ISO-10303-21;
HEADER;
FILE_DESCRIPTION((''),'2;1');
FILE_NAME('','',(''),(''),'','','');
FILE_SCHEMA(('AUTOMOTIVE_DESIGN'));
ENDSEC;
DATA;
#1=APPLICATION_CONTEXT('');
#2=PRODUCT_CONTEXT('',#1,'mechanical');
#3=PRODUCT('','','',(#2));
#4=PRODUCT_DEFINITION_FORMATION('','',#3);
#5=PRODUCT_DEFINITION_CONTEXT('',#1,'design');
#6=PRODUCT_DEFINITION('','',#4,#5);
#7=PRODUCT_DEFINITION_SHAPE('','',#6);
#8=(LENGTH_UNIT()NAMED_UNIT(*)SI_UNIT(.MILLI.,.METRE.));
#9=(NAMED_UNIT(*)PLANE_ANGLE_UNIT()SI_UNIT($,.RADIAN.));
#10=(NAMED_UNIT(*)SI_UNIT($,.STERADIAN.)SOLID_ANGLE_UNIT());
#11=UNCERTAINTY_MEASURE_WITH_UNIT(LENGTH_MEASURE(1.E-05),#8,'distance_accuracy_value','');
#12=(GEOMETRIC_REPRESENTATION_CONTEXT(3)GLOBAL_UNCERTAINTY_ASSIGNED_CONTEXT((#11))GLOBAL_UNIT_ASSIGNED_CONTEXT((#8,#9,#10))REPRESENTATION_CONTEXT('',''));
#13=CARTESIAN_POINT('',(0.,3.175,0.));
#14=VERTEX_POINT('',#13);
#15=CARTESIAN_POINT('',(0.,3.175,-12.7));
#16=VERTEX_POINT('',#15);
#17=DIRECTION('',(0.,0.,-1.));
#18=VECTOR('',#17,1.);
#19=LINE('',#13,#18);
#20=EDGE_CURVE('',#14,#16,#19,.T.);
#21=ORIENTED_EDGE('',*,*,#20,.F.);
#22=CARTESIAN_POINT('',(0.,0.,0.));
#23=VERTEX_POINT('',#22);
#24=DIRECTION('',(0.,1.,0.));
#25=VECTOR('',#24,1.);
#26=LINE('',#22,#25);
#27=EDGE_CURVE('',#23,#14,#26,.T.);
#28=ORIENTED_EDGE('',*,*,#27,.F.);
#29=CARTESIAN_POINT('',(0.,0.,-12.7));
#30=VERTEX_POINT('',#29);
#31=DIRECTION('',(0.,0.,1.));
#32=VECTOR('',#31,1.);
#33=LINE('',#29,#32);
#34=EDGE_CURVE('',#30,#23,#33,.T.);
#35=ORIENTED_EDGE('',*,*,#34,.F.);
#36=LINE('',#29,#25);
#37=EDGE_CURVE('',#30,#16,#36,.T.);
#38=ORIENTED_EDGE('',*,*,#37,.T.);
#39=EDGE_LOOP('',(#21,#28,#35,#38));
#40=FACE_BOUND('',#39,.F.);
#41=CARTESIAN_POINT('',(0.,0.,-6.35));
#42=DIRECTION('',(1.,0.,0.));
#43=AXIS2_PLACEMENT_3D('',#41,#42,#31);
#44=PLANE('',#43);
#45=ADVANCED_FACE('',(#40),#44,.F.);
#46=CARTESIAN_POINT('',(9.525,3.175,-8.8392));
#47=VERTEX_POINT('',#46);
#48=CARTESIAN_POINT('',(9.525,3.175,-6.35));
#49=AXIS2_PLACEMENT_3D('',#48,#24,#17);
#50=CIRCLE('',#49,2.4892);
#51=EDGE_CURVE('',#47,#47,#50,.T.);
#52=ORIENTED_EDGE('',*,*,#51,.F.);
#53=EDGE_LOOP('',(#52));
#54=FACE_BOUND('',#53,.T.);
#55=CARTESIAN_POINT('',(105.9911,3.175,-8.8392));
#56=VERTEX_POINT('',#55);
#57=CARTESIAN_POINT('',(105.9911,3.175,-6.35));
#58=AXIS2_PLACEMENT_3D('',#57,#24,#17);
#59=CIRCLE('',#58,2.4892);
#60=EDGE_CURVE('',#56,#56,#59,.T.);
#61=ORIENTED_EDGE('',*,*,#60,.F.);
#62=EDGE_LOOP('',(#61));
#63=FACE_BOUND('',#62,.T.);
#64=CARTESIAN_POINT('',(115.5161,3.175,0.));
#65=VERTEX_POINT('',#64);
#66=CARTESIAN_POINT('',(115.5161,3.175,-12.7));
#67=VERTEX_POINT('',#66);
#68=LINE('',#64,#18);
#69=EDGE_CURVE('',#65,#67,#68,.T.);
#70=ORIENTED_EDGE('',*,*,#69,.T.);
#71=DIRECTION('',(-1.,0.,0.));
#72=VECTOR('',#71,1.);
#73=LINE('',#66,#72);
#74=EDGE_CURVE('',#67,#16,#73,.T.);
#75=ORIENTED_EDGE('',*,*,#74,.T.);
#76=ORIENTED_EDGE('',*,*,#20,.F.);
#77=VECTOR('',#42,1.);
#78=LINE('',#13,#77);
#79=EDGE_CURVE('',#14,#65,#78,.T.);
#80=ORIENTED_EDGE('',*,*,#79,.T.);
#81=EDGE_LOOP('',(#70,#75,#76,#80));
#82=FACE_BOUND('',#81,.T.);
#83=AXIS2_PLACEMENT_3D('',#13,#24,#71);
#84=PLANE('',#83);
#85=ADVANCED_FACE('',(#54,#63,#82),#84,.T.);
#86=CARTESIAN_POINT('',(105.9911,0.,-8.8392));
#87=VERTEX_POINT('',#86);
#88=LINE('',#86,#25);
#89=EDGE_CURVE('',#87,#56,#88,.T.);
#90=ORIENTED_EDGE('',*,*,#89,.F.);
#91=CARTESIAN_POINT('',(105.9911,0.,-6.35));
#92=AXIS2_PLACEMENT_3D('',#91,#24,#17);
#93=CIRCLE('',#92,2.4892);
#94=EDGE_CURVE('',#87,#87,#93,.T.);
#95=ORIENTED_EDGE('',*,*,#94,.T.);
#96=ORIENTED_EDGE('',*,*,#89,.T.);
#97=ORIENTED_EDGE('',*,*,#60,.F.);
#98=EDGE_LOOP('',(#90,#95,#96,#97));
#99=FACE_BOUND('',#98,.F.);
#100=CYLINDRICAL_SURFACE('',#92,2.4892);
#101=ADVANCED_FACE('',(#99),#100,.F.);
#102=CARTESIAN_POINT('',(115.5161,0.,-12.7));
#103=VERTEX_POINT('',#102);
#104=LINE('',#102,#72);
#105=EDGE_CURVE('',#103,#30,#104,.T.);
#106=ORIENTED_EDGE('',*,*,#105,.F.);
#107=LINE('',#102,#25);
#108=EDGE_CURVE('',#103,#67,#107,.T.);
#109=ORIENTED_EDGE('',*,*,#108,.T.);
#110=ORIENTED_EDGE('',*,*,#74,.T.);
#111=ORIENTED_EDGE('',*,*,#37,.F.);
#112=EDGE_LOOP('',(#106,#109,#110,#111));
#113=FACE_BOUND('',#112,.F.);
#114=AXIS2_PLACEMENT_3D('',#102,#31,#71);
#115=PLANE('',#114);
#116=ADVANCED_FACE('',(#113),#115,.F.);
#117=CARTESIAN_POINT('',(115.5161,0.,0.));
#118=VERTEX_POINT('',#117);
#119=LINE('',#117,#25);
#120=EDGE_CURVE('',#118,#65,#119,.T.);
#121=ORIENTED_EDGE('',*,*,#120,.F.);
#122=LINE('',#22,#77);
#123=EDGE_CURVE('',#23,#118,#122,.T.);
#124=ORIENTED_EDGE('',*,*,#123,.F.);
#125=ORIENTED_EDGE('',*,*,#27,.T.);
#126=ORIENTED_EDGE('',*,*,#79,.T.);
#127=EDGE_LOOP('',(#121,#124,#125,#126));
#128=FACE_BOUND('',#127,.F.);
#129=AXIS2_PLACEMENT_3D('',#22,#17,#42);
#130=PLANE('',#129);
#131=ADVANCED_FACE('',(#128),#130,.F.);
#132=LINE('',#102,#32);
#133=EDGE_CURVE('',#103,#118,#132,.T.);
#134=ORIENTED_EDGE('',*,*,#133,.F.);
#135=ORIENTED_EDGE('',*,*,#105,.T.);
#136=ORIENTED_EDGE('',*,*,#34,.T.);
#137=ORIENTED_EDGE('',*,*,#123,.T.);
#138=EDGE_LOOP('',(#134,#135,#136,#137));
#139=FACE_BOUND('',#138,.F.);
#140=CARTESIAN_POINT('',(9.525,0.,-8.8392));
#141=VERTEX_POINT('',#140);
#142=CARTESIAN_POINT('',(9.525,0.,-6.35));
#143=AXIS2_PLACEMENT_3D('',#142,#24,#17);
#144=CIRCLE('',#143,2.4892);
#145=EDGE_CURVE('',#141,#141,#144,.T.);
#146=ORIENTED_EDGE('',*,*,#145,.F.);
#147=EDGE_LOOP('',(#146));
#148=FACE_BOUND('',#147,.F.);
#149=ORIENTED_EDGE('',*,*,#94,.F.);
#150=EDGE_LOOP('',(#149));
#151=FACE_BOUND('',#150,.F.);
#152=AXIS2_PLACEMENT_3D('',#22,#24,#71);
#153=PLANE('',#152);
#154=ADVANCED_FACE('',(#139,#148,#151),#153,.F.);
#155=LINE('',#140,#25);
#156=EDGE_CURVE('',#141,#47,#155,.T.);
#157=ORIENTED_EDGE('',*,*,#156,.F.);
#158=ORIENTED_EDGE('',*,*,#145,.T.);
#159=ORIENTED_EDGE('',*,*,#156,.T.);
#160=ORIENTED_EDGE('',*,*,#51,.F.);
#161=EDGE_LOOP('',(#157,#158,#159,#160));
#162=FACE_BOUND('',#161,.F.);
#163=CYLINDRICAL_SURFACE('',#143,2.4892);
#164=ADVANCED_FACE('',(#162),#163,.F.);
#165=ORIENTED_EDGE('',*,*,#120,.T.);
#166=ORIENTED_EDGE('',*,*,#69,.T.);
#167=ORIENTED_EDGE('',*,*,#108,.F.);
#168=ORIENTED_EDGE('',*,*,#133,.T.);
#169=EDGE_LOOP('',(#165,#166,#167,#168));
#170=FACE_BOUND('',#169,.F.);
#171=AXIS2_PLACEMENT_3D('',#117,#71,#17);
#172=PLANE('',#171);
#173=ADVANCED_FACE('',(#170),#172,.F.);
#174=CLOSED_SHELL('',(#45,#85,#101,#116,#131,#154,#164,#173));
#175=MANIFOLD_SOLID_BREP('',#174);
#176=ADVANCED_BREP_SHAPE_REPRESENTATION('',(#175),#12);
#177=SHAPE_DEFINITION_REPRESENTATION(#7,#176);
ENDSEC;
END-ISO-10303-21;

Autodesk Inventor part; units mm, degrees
ref_plane "YZ Plane" through (0, 0, 0) normal (1, 0, 0) x (0, 1, 0)
ref_plane "XZ Plane" through (0, 0, 0) normal (0, 1, 0) x (-1, 0, 0)
ref_plane "XY Plane" through (0, 0, 0) normal (0, 0, 1) x (1, 0, 0)
sketch "Sketch2" plane through (0, 0, 0) normal (0, 1, 0) x (-1, 0, 0)
  line L0 (0, 0) -> (-115.5161, 0)
  line L1 (-115.5161, 0) -> (-115.5161, -12.7)
  line L2 (-115.5161, -12.7) -> (0, -12.7)
  line L3 (0, -12.7) -> (0, 0)
  line L4 (0, -6.35) -> (-115.5161, -6.35)
  point P0 (-9.525, -6.35)
  point P1 (-105.9911, -6.35)
  dimension "d12" = 12.7
  dimension "d13" = 9.525
  dimension "d14" = 9.525
  dimension "d15" = 96.4661
extrude "Extrusion2" add sketch "Sketch2" along normal blind 3.175
hole "Hole2" at (9.525, 0, -6.35) at (105.9911, 0, -6.35) direction (0, 1, 0) diameter 4.9784 end through all clearance for "Flat Head Machine Screw (82)" size "#10" standard "Ansi Unified Screw Threads"
equation "\"d15\" = ringDiam"
equation "\"height\" = 203.2"
equation "\"thickness\" = 12.7"
equation "\"shaftDiam\" = 6.35"
equation "\"shaftSpace\" = 1.5875"
equation "\"stageSpace\" = 2.54"
equation "\"stageAngle\" = 15deg"
equation "\"bearingDiam\" = 9.5504"
equation "\"FlangeDiam\" = 12.7"
equation "\"FlangeDepth\" = 1.5875"
equation "\"smallFilet\" = 0.39687"
equation "\"ringDiam\" = 96.46608"
equation "\"stockHeight\" = 50.8"
equation "\"stockWidth\" = 76.2"
equation "\"stockRad\" = 9.525"
equation "\"stockGuage\" = 3.175"
equation "\"groundActu\" = 304.8"
equation "\"baseWidth\" = 1066.8"
equation "\"baseDepth\" = 254"
equation "\"capThickness\" = 3.175"
equation "\"sup1Len\" = 660.4"
equation "\"sup1Ang\" = 22.619865deg"
equation "\"sup2Len\" = 2079.37366"
equation "\"sup2Ang\" = 8.959949deg"
equation "\"supVertLen\" = 955.13561"
equation "\"supSideLen\" = 1531.12879"
equation "\"supSideAng\" = 19.376933deg"
properties part number "lock ring 1 supp" material "Aluminum 6061"
